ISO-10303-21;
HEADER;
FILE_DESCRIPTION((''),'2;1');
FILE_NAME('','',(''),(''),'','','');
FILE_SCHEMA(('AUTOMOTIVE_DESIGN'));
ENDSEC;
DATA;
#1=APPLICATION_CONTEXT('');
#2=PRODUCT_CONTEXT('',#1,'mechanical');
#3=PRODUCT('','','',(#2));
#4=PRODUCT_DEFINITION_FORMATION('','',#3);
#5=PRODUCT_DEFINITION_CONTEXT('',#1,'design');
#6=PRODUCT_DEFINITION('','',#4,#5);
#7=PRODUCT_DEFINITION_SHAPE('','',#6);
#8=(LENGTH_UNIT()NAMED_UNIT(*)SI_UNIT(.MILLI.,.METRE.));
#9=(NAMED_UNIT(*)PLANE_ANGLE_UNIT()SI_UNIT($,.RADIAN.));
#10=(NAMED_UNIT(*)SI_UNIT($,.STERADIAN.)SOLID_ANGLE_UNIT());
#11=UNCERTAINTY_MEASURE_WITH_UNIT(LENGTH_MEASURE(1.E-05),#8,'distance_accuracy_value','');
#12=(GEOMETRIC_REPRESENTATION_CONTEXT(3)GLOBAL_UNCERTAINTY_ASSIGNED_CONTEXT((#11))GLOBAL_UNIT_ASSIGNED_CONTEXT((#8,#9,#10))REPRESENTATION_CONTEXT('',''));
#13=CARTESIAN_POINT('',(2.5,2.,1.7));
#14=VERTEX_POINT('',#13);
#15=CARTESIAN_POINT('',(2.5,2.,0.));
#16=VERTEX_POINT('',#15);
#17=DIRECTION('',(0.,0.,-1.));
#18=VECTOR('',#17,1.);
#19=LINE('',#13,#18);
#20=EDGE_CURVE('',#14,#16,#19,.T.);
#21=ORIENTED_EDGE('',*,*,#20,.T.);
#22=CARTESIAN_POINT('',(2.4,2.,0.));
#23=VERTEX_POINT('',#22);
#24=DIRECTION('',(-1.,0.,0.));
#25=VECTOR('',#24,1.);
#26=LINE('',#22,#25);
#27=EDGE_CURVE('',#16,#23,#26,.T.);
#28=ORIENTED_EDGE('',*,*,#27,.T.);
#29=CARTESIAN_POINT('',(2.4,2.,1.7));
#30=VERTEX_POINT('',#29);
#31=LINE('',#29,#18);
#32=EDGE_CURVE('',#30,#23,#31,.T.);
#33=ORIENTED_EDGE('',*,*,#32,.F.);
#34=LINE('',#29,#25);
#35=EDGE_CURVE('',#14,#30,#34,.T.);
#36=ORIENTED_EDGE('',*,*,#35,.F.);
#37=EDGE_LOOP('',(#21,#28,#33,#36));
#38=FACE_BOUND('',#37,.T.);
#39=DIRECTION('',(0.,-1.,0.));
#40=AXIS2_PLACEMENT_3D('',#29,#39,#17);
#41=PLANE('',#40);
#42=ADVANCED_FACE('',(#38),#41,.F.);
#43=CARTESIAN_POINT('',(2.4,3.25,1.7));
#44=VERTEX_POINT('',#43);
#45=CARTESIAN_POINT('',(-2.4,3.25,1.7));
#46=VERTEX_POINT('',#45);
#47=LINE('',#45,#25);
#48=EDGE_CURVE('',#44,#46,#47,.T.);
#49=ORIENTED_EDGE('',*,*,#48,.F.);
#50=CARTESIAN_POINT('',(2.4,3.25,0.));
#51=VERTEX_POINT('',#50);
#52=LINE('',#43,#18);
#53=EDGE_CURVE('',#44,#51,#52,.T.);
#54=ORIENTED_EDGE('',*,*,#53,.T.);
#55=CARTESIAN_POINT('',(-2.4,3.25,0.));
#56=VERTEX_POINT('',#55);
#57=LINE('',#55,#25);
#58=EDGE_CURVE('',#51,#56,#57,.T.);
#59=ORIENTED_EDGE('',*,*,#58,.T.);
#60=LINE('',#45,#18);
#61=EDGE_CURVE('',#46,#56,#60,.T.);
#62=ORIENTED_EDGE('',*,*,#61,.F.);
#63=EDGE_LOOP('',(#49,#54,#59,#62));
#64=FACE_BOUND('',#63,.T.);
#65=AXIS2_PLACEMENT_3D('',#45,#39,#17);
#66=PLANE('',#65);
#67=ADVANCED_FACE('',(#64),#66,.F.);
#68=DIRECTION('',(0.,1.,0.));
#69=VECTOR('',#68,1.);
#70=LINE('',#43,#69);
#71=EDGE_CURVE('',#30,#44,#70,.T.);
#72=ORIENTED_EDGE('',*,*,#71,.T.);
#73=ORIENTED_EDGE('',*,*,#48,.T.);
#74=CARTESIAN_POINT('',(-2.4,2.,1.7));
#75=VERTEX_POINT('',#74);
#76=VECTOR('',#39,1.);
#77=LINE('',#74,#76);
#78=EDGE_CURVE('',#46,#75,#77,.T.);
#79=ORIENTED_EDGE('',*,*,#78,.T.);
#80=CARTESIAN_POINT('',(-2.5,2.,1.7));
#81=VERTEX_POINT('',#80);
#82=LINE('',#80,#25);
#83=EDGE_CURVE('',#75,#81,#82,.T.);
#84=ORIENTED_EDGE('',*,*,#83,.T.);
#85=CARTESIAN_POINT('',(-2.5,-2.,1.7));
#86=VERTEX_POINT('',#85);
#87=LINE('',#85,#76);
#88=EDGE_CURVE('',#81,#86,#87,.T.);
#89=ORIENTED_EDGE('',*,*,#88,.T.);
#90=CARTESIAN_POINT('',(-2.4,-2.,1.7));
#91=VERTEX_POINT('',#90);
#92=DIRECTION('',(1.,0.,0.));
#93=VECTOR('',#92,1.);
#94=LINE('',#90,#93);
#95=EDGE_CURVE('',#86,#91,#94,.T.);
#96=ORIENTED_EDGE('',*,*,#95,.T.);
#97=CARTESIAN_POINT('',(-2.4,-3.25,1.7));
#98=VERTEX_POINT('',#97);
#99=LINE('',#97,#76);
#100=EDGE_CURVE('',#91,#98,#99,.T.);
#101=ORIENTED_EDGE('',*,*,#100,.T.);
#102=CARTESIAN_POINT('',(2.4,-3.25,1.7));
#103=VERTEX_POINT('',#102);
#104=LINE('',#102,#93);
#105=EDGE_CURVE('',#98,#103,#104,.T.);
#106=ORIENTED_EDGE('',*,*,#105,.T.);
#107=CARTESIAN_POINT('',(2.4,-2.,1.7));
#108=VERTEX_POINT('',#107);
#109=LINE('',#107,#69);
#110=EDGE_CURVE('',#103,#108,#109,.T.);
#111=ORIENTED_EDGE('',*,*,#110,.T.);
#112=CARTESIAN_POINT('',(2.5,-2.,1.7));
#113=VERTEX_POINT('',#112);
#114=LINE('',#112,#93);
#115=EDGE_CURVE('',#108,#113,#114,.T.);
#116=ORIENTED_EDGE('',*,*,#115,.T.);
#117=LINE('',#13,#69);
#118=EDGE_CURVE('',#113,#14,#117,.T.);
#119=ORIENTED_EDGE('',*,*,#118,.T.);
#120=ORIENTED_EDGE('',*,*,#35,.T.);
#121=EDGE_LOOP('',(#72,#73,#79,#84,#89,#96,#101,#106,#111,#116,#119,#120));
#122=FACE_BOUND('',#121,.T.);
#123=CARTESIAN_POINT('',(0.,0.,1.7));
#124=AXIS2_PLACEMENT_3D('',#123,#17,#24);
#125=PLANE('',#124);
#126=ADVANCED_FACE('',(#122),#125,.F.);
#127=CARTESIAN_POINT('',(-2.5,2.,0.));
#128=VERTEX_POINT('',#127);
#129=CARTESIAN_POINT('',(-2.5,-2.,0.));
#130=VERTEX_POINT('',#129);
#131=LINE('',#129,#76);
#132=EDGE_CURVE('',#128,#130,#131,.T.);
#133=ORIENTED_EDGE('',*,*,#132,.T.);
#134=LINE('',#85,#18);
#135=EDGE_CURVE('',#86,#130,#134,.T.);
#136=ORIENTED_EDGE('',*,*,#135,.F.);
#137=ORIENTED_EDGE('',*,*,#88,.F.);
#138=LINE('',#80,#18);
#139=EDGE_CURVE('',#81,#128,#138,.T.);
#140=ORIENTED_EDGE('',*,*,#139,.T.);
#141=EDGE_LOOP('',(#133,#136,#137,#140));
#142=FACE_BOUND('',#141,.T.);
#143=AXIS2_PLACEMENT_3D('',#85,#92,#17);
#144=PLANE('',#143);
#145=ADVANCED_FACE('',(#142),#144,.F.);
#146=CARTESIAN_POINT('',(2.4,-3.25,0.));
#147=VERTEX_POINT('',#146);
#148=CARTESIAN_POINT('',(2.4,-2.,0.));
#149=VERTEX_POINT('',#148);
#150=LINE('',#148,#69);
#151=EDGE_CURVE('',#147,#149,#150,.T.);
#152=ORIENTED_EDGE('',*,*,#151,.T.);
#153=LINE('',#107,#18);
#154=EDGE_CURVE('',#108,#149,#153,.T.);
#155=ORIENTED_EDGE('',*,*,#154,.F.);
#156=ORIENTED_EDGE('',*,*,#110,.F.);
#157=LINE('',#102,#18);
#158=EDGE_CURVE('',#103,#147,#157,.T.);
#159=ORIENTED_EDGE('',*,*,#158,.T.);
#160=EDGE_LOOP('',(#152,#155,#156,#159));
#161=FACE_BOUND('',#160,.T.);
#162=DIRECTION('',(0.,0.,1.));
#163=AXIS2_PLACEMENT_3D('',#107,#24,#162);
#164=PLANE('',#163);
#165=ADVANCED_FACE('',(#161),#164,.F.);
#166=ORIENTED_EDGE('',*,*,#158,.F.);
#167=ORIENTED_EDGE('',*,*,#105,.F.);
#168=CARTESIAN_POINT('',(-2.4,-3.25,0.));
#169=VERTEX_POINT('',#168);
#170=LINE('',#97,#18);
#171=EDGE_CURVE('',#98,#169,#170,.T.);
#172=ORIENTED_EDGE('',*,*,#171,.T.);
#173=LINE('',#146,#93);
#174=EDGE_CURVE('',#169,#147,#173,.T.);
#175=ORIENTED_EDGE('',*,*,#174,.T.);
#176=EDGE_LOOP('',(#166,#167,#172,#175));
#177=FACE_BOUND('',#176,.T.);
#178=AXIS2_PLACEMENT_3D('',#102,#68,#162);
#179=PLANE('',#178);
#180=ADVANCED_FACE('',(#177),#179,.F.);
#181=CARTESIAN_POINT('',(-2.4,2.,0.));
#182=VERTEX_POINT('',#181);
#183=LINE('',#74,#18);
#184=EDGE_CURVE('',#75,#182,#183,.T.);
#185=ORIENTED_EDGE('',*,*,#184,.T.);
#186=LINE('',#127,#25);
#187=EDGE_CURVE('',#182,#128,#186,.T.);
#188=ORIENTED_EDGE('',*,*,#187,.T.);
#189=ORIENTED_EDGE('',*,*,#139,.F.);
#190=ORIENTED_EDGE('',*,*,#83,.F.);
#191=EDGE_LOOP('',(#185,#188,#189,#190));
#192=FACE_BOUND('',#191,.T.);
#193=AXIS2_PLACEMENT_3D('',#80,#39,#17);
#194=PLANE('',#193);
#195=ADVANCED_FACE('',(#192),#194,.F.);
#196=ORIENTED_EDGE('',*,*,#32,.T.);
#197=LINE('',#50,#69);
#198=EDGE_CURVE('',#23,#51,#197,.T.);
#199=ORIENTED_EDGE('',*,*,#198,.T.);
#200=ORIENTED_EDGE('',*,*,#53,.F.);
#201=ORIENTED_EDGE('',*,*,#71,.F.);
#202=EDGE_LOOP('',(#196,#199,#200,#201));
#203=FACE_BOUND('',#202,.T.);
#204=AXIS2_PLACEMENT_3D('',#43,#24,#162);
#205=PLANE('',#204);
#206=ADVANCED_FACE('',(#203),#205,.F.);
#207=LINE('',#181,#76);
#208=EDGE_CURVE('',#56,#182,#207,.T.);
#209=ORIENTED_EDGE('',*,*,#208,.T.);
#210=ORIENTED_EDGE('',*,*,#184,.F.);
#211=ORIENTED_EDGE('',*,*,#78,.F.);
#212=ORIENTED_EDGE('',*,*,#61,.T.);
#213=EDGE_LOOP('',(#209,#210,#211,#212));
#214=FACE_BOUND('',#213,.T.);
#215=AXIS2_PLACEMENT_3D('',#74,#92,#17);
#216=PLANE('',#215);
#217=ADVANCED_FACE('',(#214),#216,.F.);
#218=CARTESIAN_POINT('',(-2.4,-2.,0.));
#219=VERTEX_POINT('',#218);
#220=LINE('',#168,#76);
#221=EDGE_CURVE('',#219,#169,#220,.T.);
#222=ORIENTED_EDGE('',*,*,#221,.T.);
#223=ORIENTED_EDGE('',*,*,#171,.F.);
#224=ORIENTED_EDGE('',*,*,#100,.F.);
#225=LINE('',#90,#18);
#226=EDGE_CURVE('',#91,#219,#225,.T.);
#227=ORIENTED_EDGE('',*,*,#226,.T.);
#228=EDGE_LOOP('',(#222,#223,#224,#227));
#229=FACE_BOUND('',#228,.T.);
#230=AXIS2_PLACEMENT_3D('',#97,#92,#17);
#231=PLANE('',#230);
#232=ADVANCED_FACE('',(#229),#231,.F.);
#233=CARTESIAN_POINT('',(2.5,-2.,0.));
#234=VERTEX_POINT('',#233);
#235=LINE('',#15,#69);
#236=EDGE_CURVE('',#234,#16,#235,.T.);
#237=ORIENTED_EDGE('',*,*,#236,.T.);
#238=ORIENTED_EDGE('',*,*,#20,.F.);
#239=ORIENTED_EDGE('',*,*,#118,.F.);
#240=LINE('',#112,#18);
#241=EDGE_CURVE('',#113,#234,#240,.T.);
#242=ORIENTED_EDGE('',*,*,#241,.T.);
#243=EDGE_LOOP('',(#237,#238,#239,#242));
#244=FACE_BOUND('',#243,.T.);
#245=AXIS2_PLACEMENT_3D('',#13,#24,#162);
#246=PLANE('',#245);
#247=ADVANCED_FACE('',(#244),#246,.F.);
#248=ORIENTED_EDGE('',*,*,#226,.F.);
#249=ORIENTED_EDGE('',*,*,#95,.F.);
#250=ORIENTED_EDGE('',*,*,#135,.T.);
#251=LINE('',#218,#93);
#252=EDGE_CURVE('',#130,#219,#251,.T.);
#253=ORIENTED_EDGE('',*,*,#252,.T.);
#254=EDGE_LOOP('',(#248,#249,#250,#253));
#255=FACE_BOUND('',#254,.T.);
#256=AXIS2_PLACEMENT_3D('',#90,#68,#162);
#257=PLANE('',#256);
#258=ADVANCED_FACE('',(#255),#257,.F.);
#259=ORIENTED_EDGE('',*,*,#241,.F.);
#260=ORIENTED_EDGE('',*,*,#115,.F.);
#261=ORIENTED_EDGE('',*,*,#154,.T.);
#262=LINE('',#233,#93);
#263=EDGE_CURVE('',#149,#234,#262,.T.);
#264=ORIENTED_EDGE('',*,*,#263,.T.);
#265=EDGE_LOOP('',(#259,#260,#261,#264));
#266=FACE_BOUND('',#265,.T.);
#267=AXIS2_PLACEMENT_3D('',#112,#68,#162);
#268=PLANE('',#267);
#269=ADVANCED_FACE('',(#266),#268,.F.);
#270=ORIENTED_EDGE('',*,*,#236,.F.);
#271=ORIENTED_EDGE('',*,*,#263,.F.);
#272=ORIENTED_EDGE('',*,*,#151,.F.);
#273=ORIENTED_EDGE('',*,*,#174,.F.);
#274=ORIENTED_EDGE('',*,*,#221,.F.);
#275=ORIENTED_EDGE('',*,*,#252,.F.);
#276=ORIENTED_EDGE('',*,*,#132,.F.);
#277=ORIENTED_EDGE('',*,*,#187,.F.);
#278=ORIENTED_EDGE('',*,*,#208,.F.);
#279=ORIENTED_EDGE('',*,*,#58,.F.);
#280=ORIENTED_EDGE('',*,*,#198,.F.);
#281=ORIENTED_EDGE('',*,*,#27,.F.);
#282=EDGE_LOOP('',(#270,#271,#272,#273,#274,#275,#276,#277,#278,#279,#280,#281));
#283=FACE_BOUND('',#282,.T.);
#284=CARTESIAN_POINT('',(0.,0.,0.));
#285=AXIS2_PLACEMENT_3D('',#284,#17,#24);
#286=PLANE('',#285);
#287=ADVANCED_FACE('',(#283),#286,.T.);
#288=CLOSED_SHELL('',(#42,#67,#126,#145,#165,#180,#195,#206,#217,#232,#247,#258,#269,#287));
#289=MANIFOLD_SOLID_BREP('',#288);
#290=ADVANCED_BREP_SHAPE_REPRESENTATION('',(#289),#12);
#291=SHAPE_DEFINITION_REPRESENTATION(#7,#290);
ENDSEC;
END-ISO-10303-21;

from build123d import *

# Parameters (mm, degrees)
COMPONENT_OUTLINE_DEPTH = 1.7


with BuildPart() as part:
    # 草图1 → Component_Outline (new body)
    with BuildSketch(Plane.XY):
        Polygon((-2.4, -3.25), (-2.4, -2), (-2.5, -2), (-2.5, 2), (-2.4, 2), (-2.4, 3.25), (2.4, 3.25), (2.4, 2), (2.5, 2), (2.5, -2), (2.4, -2), (2.4, -3.25), align=None)
    extrude(amount=COMPONENT_OUTLINE_DEPTH)


solid = part.part
